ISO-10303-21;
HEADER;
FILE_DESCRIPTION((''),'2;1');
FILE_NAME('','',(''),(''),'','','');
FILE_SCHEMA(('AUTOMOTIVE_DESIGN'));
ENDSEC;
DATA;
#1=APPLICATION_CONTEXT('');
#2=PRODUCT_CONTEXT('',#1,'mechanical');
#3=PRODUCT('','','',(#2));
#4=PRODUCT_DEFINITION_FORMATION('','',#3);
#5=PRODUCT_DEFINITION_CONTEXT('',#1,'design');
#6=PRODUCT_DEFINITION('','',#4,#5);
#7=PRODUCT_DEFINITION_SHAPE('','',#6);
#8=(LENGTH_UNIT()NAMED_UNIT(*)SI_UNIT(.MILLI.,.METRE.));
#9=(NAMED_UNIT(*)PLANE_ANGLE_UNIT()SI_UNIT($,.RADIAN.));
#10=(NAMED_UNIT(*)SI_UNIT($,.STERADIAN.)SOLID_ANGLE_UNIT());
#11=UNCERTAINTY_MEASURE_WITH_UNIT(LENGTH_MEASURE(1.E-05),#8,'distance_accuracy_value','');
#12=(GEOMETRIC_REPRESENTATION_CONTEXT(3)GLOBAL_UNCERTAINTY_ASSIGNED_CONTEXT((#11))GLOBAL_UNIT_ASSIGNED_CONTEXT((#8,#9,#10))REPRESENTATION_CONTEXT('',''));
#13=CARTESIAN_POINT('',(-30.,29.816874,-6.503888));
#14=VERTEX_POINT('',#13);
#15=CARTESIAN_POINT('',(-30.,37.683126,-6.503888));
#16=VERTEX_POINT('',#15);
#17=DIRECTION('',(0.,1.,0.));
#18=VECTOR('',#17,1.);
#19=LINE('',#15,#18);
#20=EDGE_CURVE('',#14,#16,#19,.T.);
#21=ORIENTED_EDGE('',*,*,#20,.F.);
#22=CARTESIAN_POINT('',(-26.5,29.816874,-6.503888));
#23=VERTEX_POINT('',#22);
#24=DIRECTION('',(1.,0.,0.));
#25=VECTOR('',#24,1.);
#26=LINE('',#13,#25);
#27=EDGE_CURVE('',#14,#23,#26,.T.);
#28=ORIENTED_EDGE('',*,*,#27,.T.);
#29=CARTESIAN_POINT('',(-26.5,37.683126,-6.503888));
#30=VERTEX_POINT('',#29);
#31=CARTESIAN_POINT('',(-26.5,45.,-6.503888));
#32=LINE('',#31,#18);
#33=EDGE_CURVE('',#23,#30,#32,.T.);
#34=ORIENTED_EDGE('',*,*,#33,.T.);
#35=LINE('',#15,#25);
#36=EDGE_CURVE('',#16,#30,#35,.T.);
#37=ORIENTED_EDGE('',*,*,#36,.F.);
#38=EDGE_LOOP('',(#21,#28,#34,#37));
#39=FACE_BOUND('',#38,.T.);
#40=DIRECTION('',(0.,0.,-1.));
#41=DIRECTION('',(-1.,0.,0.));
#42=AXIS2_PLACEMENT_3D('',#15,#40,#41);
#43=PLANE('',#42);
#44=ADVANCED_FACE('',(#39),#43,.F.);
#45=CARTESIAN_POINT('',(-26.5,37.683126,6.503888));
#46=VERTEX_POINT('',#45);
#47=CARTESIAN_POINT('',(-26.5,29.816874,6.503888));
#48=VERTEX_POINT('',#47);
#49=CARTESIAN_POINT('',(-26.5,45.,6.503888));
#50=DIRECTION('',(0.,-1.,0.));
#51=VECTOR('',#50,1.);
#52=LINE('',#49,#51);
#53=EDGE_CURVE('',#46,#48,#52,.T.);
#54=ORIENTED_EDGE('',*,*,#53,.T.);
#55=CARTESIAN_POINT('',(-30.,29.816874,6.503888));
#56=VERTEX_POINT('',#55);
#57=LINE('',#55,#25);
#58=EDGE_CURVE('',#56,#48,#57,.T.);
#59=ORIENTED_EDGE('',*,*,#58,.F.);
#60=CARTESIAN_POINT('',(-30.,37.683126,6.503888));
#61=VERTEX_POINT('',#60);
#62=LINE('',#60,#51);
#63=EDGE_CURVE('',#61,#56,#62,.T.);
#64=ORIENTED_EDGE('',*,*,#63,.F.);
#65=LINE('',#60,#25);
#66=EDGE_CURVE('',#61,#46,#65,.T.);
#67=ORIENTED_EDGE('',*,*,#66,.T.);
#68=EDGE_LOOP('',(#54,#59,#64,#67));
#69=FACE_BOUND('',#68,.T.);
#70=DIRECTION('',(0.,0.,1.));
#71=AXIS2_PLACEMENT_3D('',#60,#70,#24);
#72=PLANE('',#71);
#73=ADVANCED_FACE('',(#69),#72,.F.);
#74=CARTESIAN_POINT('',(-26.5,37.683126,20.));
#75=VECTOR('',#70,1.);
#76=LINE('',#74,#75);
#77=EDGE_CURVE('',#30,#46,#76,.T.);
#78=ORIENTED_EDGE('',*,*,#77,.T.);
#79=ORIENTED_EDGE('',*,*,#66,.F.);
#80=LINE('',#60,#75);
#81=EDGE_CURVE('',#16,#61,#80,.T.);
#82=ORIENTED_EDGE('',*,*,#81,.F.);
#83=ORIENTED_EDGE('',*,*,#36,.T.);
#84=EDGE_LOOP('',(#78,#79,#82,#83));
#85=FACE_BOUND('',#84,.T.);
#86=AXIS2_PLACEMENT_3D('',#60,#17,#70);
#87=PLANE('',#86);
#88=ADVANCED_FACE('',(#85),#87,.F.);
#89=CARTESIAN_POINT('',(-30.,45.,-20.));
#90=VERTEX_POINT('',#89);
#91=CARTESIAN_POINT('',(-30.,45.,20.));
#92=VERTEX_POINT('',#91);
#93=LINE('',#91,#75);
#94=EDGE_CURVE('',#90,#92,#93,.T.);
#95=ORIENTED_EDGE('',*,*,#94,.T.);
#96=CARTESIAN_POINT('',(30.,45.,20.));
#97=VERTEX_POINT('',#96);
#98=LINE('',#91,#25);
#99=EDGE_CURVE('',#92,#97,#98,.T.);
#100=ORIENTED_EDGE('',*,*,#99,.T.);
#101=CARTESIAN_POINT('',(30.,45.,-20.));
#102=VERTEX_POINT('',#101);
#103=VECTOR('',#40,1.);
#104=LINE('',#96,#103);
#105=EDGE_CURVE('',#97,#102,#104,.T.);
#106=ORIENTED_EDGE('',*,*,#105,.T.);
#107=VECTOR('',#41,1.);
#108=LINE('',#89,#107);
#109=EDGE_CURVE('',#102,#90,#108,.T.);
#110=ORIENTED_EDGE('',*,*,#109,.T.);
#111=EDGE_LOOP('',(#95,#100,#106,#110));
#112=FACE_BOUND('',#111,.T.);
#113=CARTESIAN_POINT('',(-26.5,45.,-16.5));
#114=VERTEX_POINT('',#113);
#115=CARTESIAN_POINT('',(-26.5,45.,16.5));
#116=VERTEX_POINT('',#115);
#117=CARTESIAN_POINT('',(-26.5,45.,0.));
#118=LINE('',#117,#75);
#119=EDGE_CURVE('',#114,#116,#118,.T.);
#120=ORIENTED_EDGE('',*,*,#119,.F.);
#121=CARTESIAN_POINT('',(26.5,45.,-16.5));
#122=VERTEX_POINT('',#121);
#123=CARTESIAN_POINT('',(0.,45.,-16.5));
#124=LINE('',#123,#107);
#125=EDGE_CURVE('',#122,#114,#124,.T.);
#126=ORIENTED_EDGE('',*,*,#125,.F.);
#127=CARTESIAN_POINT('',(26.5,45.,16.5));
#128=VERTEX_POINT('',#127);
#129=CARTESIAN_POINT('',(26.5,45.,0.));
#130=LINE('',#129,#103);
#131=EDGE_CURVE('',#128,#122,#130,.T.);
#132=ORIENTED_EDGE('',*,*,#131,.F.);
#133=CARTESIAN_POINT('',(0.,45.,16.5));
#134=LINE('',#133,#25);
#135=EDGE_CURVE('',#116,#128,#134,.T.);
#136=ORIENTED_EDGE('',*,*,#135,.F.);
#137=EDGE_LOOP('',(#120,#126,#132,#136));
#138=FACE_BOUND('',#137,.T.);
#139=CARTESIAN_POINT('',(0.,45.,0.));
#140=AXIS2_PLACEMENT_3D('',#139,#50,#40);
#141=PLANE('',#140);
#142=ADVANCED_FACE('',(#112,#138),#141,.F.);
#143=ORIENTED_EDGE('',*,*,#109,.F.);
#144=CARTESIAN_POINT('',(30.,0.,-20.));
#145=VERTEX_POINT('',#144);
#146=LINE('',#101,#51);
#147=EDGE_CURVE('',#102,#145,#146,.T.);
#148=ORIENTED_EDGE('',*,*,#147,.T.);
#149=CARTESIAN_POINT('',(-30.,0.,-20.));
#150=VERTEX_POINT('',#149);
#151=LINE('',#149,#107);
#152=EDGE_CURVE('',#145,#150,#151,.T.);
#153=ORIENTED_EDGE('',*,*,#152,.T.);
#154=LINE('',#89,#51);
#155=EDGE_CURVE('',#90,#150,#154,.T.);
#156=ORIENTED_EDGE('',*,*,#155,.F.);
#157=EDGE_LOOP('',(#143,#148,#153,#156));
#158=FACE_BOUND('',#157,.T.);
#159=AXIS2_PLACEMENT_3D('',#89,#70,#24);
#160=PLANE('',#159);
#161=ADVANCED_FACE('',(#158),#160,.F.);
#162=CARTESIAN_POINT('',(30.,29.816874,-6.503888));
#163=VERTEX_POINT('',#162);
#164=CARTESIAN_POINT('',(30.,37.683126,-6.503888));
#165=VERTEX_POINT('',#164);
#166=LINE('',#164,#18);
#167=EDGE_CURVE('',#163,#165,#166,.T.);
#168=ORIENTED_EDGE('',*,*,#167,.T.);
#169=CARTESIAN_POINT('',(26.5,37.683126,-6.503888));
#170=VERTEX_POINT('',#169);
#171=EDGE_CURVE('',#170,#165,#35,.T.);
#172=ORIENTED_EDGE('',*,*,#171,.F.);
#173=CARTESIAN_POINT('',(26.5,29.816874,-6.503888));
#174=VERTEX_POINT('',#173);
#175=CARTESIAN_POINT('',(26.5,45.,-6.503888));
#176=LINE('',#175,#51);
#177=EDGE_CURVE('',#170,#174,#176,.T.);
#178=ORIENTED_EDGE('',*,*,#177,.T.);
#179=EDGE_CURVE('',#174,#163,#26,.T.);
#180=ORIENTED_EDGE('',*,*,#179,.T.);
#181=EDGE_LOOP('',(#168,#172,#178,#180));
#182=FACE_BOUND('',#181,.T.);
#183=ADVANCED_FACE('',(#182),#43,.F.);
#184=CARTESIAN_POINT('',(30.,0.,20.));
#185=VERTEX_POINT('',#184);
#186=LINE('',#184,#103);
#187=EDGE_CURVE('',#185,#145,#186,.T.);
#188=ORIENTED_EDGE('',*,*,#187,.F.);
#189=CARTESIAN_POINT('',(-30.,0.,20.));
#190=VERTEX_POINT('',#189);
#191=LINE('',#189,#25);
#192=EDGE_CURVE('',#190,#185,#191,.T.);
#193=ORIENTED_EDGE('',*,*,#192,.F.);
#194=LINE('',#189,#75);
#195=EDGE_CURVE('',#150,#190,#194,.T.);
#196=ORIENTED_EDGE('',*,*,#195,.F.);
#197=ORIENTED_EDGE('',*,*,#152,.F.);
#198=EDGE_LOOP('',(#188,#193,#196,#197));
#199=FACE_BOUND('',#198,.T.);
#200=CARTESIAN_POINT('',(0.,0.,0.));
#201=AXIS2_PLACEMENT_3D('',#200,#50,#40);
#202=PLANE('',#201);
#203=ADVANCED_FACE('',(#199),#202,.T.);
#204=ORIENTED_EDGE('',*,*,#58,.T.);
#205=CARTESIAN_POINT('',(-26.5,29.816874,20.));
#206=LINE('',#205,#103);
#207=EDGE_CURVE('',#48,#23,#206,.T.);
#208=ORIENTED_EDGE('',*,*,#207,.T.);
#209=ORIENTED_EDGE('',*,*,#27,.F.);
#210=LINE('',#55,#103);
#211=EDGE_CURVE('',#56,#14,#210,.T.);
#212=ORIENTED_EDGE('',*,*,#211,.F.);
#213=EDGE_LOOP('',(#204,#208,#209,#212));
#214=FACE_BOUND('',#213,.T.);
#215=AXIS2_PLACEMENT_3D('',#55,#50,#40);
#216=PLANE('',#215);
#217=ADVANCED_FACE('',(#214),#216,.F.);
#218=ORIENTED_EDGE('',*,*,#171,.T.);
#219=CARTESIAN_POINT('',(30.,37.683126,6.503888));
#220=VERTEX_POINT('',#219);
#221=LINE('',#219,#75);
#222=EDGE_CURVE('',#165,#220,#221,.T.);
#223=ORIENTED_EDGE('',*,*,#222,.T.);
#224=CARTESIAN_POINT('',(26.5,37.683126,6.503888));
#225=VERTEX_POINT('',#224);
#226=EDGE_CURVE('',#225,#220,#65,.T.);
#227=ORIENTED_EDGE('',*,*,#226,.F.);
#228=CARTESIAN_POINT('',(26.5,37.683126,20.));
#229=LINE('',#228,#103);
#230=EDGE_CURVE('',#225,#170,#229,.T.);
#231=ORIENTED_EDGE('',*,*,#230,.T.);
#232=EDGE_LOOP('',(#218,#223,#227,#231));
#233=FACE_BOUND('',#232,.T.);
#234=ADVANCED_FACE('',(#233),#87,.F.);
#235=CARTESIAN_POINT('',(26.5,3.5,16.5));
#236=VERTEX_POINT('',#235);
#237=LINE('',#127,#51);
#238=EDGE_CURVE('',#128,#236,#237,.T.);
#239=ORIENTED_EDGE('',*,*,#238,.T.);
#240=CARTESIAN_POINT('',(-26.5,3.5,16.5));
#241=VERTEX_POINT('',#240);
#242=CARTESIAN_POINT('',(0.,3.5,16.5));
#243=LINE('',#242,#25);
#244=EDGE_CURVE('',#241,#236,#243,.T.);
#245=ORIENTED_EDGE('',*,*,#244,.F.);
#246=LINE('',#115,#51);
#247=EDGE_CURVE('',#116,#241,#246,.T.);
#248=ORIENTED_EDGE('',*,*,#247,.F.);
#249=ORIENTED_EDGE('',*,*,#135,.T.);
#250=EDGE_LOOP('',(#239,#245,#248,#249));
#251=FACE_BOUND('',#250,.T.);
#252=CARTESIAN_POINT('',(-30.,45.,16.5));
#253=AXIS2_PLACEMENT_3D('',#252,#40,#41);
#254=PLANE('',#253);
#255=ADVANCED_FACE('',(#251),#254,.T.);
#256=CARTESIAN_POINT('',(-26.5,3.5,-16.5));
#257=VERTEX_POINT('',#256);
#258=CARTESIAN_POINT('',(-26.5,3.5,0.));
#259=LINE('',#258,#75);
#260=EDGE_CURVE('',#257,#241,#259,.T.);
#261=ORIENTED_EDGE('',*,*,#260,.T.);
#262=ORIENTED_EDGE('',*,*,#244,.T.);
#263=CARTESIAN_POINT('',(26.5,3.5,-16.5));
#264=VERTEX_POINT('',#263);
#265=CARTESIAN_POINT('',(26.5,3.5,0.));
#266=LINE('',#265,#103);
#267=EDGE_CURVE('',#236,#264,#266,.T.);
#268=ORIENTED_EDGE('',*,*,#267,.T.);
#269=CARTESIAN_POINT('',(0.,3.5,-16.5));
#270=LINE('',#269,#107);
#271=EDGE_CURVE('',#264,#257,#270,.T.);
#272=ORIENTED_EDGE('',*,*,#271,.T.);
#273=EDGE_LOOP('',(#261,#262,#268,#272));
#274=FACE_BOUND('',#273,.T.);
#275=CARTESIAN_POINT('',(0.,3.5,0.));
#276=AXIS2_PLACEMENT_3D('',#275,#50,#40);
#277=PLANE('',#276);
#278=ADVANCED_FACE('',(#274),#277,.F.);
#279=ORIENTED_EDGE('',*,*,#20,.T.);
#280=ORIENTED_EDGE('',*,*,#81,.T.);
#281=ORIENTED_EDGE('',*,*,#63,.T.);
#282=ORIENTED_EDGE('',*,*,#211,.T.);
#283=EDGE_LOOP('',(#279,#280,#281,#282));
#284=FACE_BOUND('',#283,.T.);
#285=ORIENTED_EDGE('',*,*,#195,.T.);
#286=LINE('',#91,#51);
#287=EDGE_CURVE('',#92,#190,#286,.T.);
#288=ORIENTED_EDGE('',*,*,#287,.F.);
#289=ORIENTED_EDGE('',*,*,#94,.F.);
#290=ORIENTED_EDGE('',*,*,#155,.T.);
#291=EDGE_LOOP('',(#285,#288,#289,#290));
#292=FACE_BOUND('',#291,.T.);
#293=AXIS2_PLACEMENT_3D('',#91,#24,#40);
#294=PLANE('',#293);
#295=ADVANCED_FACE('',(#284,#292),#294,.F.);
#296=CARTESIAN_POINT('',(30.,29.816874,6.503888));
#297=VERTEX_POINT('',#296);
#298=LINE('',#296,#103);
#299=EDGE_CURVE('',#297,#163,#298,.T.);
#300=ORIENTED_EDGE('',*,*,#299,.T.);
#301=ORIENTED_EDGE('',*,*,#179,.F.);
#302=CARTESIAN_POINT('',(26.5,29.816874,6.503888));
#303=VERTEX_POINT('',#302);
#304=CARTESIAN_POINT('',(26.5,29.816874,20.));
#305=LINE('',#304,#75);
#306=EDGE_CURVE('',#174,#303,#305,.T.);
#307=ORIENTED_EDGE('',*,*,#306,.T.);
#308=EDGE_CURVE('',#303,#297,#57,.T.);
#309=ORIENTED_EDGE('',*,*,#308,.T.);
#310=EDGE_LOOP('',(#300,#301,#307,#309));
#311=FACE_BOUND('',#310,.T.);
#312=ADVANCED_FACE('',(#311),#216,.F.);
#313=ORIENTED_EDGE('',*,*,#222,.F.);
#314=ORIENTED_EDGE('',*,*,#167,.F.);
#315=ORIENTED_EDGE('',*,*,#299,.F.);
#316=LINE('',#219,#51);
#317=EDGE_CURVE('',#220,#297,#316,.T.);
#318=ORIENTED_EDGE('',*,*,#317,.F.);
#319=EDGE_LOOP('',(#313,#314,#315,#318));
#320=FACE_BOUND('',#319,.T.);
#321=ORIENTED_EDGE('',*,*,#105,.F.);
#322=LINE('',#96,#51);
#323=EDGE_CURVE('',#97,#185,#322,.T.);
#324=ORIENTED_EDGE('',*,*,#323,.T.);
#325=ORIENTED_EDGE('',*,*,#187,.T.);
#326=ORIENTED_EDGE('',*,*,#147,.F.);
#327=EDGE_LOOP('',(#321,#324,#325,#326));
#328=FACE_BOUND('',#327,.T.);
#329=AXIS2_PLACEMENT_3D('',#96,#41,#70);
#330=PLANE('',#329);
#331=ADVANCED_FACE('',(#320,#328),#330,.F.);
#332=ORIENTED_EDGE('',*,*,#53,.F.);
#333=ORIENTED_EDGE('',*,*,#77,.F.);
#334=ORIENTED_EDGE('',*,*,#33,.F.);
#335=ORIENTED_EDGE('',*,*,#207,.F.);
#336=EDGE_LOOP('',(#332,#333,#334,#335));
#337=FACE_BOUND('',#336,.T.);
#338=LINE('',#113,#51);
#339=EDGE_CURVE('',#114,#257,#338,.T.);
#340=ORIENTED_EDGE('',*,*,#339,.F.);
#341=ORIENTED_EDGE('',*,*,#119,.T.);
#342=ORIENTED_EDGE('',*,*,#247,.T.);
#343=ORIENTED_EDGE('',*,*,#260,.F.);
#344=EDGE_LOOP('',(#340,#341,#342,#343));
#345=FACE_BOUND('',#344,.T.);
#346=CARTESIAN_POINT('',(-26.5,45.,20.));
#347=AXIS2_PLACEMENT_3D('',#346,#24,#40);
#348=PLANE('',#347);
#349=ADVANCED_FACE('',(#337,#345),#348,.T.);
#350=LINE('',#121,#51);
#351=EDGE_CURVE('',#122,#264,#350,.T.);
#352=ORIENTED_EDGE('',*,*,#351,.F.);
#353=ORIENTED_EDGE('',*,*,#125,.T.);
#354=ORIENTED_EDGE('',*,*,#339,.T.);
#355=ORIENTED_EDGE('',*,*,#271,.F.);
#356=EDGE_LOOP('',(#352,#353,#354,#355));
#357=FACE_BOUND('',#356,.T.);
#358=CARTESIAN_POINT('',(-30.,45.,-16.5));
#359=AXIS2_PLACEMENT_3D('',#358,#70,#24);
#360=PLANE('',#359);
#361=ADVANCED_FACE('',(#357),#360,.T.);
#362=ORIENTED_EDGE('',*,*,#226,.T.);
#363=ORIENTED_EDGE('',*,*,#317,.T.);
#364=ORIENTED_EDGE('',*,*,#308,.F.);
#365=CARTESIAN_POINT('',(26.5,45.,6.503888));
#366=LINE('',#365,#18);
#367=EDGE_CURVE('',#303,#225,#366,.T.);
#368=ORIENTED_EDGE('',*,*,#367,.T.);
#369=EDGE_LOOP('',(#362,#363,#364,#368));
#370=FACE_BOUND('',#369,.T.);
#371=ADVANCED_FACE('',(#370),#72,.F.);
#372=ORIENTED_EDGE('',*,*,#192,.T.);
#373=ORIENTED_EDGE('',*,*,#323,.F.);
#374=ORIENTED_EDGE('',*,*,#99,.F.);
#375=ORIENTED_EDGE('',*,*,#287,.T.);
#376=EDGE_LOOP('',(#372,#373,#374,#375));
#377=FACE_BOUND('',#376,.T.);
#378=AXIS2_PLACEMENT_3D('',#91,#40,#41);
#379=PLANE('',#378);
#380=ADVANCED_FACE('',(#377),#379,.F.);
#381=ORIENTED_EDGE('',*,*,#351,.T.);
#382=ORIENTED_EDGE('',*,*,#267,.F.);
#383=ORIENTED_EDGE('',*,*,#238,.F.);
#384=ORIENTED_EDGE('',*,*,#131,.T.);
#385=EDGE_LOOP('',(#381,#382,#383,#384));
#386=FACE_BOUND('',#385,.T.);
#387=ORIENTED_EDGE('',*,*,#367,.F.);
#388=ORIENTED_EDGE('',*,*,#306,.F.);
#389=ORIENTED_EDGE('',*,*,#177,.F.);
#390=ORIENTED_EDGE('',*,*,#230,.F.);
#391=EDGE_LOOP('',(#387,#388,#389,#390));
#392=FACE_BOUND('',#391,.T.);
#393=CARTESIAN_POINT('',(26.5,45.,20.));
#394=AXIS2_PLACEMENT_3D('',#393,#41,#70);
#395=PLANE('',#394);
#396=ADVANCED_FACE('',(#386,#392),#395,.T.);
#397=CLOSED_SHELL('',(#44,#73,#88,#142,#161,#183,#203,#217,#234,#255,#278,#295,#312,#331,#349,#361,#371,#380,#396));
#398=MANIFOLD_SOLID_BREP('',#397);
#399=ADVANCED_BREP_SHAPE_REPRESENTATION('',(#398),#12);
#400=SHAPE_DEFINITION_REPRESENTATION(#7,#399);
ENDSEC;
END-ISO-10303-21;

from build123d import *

# Parameters (mm, degrees)
SKETCH1_W           = 60
SKETCH1_H           = 40
BOSS_EXTRUDE1_DEPTH = 45
SHELL1_T            = -3.5
SKETCH2_W           = 13.00777657
SKETCH2_H           = 7.86625136
CUT_EXTRUDE1_DEPTH  = 78.620873481


with BuildPart() as part:
    # Sketch1 → Boss-Extrude1 (new body)
    with BuildSketch(Plane(origin=(0, 0, 0), x_dir=(1, 0, 0), z_dir=(0, 1, 0))):
        Rectangle(SKETCH1_W, SKETCH1_H)
    extrude(amount=BOSS_EXTRUDE1_DEPTH)

    # Shell1
    shell1_openings = [part.faces().sort_by_distance(p)[0] for p in [
        (0, 45, 0),
    ]]
    offset(amount=SHELL1_T, openings=shell1_openings, kind=Kind.INTERSECTION)

    # Sketch2 → Cut-Extrude1 (cut, through all)
    with BuildSketch(Plane(origin=(30, 0, 0), x_dir=(0, 0, -1), z_dir=(1, 0, 0))):
        with Locations((0, 33.75)):
            Rectangle(SKETCH2_W, SKETCH2_H)
    extrude(amount=-CUT_EXTRUDE1_DEPTH, mode=Mode.SUBTRACT)


solid = part.part
